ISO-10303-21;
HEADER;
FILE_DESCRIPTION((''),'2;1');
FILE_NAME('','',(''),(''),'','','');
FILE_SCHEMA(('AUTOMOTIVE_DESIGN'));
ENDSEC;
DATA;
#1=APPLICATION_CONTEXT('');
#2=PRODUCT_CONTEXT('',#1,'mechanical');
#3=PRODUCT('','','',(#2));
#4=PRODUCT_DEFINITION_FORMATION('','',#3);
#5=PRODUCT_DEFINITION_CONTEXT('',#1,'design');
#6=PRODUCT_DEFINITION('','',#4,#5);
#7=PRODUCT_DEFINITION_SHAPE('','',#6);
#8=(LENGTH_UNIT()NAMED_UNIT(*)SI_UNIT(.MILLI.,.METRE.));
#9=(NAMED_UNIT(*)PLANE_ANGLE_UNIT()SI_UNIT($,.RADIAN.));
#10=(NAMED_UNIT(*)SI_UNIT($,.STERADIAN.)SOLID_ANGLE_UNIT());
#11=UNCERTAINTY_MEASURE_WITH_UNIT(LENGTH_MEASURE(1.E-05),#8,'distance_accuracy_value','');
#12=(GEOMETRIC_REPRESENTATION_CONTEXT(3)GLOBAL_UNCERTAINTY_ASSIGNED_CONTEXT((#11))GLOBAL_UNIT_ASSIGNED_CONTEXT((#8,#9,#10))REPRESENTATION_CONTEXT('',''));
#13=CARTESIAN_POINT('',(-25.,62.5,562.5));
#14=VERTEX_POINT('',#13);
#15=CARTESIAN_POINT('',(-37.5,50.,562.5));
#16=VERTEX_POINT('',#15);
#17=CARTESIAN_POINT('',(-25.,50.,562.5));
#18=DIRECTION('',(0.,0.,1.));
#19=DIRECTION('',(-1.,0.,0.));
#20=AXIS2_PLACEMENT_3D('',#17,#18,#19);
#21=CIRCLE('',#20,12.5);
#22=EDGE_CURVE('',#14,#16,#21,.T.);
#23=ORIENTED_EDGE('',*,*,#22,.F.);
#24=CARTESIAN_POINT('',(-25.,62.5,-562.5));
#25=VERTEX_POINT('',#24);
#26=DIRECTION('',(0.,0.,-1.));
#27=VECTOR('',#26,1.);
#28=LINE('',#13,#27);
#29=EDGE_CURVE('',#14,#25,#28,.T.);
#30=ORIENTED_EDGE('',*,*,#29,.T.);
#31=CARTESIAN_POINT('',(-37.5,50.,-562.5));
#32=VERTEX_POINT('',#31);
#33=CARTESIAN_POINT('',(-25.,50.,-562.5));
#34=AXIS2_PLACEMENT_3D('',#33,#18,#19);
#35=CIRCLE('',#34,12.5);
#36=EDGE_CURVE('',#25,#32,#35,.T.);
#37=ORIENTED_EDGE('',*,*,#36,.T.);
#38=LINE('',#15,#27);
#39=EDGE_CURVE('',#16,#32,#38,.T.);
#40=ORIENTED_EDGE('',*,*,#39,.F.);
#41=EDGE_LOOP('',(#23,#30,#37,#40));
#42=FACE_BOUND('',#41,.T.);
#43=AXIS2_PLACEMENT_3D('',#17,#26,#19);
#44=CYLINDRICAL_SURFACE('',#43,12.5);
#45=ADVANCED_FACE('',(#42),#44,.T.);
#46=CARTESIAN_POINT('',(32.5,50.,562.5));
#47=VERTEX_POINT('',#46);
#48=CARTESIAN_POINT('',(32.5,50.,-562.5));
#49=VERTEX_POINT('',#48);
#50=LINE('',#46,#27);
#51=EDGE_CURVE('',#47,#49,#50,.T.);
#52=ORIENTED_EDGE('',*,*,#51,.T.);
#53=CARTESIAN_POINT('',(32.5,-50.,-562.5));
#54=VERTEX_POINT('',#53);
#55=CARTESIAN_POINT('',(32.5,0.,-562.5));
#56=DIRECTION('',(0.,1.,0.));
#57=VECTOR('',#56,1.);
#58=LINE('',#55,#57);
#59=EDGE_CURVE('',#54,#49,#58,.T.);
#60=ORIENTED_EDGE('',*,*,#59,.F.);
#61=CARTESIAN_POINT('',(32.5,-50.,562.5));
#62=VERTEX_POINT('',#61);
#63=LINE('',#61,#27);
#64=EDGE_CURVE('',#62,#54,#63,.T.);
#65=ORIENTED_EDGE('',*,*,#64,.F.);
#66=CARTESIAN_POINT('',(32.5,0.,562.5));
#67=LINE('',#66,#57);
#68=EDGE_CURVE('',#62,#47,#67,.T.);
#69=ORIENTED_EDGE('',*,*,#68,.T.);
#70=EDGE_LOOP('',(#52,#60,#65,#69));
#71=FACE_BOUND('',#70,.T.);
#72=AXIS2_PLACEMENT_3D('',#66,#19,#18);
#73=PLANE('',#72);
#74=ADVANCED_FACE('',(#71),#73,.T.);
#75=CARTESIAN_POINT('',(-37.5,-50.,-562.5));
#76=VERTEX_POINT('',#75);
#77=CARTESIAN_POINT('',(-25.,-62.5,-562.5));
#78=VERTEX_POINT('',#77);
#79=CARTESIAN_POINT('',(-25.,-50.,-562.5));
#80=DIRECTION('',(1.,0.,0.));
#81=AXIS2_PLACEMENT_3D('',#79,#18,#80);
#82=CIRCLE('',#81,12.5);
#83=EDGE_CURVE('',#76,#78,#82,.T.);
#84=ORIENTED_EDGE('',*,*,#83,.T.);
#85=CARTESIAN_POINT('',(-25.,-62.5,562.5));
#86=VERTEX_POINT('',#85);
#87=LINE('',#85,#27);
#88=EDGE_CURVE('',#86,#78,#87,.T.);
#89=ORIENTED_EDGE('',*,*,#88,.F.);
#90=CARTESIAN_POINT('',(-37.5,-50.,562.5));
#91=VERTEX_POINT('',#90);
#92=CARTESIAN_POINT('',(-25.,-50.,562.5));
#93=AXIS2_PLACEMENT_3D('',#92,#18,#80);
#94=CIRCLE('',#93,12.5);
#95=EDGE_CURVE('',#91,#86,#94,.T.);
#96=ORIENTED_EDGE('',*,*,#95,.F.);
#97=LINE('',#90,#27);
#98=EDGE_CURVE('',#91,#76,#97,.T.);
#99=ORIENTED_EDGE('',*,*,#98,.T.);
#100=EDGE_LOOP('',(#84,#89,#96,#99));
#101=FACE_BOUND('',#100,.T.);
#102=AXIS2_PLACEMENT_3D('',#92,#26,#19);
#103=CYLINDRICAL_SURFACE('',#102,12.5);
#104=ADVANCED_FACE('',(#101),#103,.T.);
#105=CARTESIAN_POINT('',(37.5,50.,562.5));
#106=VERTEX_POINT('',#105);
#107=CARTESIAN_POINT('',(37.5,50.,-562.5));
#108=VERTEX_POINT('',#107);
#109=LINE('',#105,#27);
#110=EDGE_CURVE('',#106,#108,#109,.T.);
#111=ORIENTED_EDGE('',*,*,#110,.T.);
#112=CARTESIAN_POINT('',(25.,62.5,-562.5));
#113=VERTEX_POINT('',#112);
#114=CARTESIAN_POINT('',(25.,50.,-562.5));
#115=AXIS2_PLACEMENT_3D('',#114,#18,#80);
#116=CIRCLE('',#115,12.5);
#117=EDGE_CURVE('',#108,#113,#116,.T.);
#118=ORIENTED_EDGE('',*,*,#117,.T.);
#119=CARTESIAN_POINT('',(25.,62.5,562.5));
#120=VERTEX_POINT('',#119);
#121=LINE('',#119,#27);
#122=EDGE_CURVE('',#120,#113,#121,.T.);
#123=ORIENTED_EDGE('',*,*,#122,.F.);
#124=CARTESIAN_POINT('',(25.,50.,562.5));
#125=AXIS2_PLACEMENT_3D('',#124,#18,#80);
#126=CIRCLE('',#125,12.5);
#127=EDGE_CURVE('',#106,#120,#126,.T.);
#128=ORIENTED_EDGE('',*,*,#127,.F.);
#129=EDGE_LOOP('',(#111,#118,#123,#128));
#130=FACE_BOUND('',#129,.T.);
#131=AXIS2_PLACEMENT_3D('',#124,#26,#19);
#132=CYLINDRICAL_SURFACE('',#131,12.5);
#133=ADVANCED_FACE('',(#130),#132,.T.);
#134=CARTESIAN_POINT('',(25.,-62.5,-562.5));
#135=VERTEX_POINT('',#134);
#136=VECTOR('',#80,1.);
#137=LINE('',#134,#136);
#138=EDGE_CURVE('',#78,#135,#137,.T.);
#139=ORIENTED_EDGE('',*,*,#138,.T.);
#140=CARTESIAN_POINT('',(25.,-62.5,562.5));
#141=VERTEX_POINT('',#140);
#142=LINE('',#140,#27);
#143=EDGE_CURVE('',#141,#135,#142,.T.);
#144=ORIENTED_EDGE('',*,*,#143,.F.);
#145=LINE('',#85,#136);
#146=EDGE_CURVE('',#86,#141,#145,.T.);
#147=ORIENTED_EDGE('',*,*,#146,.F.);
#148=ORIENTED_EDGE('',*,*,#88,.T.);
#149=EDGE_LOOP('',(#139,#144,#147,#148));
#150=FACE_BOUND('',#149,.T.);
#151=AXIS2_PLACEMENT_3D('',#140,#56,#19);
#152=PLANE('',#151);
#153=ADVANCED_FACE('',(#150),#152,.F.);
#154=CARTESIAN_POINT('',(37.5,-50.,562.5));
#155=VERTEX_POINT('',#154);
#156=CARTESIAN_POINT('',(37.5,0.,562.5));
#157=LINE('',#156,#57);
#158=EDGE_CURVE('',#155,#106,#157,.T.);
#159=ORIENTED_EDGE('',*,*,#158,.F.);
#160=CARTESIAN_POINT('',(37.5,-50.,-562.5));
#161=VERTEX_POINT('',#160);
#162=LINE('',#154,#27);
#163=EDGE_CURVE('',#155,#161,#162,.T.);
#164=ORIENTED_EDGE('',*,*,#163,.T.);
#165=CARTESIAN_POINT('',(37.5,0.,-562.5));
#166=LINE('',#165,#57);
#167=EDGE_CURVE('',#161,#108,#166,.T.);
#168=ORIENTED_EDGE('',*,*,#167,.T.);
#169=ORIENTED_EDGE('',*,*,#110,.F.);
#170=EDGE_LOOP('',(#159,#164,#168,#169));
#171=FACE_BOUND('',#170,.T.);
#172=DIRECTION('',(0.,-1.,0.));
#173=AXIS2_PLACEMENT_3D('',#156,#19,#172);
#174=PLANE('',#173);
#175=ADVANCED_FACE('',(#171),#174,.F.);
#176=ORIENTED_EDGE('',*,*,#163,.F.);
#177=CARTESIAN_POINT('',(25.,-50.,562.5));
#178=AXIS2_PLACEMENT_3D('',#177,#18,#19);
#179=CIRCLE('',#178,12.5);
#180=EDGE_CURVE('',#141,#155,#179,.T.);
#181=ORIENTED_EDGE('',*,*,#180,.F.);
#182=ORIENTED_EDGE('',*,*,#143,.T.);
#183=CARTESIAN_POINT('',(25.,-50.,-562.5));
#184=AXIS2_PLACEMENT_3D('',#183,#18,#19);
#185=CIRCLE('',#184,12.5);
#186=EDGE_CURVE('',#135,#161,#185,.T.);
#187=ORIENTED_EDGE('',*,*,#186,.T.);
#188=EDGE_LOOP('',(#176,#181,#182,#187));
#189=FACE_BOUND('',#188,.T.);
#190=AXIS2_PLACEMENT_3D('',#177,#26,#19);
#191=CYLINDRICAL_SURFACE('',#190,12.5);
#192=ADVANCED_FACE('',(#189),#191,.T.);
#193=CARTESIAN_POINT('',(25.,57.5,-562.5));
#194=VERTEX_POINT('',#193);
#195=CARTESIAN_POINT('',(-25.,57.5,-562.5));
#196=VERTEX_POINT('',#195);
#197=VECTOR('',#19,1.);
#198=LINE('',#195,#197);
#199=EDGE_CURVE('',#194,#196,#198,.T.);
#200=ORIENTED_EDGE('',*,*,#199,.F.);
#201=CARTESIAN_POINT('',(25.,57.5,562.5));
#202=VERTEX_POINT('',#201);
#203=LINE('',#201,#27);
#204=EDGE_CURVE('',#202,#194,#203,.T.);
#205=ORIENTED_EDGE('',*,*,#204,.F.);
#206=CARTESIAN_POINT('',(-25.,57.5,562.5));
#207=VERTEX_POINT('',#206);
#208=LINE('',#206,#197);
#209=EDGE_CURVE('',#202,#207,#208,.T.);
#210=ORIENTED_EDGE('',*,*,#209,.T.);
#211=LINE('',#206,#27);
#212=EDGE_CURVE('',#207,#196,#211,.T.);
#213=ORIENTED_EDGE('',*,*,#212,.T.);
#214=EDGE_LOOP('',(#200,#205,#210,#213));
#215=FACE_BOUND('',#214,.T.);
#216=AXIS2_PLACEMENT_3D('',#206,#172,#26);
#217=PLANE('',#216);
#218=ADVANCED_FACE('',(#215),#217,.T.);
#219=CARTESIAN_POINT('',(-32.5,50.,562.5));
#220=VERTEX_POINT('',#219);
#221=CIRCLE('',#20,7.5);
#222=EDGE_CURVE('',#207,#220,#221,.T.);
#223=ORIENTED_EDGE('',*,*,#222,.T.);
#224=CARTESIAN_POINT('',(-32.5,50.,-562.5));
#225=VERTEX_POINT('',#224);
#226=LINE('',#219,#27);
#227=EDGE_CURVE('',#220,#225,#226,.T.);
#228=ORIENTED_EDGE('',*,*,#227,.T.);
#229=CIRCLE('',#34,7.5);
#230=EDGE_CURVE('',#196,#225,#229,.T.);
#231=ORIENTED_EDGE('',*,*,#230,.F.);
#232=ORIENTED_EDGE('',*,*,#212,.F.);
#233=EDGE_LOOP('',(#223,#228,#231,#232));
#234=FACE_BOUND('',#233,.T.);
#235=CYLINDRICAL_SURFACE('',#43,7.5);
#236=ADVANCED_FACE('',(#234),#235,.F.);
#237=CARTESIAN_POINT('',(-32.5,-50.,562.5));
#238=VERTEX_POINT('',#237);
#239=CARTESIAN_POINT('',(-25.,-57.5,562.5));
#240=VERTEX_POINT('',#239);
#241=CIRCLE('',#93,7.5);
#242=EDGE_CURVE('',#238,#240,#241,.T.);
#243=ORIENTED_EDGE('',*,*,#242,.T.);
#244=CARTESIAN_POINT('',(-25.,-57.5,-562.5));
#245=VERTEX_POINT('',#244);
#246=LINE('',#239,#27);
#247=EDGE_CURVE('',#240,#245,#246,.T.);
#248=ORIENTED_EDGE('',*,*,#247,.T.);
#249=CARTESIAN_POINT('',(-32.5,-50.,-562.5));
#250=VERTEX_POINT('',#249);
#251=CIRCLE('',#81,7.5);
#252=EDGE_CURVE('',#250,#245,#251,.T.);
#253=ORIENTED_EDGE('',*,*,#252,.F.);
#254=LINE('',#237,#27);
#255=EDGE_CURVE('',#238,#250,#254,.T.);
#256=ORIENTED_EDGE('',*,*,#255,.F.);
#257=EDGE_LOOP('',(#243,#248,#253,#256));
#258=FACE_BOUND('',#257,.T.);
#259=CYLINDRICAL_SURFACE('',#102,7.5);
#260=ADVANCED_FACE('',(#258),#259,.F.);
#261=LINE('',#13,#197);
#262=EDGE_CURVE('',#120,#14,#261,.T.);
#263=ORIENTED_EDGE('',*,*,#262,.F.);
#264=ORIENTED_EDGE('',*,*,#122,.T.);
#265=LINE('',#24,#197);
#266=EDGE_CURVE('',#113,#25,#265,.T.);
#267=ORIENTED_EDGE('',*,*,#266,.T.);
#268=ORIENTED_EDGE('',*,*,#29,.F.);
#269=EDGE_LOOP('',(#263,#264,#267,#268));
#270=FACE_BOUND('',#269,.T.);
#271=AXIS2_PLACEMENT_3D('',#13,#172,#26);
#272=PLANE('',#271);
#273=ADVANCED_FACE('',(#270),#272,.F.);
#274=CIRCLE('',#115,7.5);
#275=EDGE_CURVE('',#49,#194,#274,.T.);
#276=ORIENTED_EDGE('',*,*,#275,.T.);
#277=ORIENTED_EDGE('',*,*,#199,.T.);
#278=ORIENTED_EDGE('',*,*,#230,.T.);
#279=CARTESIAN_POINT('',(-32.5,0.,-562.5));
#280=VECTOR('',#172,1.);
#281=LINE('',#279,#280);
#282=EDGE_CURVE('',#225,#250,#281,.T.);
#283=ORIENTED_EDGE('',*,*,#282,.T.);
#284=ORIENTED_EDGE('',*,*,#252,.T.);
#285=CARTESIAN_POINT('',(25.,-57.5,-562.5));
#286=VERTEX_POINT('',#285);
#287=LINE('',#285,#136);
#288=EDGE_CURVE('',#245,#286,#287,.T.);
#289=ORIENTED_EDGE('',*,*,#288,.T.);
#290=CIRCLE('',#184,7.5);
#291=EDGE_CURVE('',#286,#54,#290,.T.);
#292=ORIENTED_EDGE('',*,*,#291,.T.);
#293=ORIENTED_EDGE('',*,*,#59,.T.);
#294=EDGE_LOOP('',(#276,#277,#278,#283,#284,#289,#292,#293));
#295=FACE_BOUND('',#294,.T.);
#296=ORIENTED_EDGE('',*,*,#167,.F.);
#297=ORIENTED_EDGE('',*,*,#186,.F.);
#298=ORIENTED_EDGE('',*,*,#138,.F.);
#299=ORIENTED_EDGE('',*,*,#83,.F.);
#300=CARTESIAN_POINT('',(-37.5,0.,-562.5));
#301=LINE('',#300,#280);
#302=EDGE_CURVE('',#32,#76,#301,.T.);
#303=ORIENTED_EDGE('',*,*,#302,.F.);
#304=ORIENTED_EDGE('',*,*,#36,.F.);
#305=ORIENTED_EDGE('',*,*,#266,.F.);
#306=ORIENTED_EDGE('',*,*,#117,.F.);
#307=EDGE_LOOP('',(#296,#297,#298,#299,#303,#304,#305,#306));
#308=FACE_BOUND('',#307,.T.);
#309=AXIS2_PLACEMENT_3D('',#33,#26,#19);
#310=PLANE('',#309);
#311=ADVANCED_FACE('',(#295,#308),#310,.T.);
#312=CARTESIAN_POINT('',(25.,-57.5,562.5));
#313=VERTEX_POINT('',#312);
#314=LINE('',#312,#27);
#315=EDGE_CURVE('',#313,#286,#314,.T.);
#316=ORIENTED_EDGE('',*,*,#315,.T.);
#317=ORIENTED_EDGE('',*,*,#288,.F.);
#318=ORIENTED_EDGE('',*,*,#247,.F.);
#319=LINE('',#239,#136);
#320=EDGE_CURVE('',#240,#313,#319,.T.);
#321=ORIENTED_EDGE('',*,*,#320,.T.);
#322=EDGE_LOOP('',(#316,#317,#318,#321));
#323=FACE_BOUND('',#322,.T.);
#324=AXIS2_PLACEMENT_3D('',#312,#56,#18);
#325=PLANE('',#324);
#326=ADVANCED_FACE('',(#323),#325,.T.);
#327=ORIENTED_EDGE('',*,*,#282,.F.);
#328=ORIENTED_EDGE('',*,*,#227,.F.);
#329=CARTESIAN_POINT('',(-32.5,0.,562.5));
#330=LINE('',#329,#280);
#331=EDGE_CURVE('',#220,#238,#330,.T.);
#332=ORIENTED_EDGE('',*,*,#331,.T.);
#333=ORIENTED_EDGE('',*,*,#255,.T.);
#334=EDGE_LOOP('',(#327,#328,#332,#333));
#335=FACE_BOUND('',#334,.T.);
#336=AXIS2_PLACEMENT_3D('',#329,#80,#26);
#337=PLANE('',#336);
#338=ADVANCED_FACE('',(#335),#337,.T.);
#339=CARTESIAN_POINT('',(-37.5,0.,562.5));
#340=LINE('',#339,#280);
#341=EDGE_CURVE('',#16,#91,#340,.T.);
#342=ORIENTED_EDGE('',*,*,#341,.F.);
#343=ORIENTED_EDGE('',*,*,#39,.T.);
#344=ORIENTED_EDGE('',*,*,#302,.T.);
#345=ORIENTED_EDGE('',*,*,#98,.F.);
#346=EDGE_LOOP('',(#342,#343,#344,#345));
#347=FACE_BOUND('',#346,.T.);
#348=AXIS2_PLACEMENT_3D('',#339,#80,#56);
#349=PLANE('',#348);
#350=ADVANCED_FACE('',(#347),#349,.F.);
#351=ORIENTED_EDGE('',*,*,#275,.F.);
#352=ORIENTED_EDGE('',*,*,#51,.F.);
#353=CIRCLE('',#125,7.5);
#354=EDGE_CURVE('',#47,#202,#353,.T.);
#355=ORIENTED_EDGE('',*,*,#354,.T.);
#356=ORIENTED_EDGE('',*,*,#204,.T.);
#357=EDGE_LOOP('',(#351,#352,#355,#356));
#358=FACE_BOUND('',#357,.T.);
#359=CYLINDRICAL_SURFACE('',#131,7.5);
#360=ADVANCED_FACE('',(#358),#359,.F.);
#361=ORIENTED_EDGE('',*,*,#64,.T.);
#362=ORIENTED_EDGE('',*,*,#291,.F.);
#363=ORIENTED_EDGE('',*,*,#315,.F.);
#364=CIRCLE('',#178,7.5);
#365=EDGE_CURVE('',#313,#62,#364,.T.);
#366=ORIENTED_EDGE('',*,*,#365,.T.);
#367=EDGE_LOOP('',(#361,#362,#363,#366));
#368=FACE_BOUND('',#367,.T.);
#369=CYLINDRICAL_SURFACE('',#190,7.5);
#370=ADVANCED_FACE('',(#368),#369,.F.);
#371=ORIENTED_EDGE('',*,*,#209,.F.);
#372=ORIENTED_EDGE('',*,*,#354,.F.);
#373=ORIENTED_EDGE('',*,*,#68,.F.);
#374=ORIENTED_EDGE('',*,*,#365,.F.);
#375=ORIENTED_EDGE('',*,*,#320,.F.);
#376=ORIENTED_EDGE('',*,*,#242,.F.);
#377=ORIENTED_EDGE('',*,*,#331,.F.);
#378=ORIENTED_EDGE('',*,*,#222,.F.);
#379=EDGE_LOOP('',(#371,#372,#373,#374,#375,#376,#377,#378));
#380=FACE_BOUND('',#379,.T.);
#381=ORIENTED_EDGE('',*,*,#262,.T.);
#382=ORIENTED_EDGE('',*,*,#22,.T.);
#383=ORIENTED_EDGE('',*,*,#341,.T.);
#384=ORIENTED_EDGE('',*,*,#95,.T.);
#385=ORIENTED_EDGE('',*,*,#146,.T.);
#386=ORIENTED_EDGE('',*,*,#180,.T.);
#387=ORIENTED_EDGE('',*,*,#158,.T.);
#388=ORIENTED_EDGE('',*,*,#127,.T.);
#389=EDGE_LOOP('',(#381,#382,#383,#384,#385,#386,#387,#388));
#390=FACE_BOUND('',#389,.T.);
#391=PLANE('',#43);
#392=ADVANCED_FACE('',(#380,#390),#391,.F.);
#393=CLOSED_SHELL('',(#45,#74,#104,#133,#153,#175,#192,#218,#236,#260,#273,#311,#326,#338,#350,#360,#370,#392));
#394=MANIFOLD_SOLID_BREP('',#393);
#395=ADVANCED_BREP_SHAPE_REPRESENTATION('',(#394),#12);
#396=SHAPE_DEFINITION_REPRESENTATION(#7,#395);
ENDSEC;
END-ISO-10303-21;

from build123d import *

# Parameters (mm, degrees)
BOSS_EXTRUDE1_DEPTH = 562.5


with BuildPart() as part:
    # Sketch1 → Boss-Extrude1 (new, symmetric)
    with BuildSketch(Plane.XY):
        with BuildLine():
            Line((-37.5, 0), (-37.5, -50))
            ThreePointArc((-37.5, -50), (-33.838834765, -58.838834765), (-25, -62.5))
            Line((-25, -62.5), (0, -62.5))
            Line((0, -62.5), (25, -62.5))
            ThreePointArc((25, -62.5), (33.838834765, -58.838834765), (37.5, -50))
            Line((37.5, -50), (37.5, 0))
            Line((37.5, 0), (37.5, 50))
            ThreePointArc((37.5, 50), (33.838834765, 58.838834765), (25, 62.5))
            Line((25, 62.5), (-25, 62.5))
            ThreePointArc((-25, 62.5), (-33.838834765, 58.838834765), (-37.5, 50))
            Line((-37.5, 50), (-37.5, 0))
        make_face()
        with BuildLine():
            Line((-32.5, 0), (-32.5, -50))
            ThreePointArc((-32.5, -50), (-30.303300859, -55.303300859), (-25, -57.5))
            Line((-25, -57.5), (0, -57.5))
            Line((0, -57.5), (25, -57.5))
            ThreePointArc((25, -57.5), (30.303300859, -55.303300859), (32.5, -50))
            Line((32.5, -50), (32.5, 0))
            Line((32.5, 0), (32.5, 50))
            ThreePointArc((32.5, 50), (30.303300859, 55.303300859), (25, 57.5))
            Line((25, 57.5), (-25, 57.5))
            ThreePointArc((-25, 57.5), (-30.303300859, 55.303300859), (-32.5, 50))
            Line((-32.5, 50), (-32.5, 0))
        make_face(mode=Mode.SUBTRACT)
    extrude(amount=BOSS_EXTRUDE1_DEPTH, both=True)


solid = part.part
